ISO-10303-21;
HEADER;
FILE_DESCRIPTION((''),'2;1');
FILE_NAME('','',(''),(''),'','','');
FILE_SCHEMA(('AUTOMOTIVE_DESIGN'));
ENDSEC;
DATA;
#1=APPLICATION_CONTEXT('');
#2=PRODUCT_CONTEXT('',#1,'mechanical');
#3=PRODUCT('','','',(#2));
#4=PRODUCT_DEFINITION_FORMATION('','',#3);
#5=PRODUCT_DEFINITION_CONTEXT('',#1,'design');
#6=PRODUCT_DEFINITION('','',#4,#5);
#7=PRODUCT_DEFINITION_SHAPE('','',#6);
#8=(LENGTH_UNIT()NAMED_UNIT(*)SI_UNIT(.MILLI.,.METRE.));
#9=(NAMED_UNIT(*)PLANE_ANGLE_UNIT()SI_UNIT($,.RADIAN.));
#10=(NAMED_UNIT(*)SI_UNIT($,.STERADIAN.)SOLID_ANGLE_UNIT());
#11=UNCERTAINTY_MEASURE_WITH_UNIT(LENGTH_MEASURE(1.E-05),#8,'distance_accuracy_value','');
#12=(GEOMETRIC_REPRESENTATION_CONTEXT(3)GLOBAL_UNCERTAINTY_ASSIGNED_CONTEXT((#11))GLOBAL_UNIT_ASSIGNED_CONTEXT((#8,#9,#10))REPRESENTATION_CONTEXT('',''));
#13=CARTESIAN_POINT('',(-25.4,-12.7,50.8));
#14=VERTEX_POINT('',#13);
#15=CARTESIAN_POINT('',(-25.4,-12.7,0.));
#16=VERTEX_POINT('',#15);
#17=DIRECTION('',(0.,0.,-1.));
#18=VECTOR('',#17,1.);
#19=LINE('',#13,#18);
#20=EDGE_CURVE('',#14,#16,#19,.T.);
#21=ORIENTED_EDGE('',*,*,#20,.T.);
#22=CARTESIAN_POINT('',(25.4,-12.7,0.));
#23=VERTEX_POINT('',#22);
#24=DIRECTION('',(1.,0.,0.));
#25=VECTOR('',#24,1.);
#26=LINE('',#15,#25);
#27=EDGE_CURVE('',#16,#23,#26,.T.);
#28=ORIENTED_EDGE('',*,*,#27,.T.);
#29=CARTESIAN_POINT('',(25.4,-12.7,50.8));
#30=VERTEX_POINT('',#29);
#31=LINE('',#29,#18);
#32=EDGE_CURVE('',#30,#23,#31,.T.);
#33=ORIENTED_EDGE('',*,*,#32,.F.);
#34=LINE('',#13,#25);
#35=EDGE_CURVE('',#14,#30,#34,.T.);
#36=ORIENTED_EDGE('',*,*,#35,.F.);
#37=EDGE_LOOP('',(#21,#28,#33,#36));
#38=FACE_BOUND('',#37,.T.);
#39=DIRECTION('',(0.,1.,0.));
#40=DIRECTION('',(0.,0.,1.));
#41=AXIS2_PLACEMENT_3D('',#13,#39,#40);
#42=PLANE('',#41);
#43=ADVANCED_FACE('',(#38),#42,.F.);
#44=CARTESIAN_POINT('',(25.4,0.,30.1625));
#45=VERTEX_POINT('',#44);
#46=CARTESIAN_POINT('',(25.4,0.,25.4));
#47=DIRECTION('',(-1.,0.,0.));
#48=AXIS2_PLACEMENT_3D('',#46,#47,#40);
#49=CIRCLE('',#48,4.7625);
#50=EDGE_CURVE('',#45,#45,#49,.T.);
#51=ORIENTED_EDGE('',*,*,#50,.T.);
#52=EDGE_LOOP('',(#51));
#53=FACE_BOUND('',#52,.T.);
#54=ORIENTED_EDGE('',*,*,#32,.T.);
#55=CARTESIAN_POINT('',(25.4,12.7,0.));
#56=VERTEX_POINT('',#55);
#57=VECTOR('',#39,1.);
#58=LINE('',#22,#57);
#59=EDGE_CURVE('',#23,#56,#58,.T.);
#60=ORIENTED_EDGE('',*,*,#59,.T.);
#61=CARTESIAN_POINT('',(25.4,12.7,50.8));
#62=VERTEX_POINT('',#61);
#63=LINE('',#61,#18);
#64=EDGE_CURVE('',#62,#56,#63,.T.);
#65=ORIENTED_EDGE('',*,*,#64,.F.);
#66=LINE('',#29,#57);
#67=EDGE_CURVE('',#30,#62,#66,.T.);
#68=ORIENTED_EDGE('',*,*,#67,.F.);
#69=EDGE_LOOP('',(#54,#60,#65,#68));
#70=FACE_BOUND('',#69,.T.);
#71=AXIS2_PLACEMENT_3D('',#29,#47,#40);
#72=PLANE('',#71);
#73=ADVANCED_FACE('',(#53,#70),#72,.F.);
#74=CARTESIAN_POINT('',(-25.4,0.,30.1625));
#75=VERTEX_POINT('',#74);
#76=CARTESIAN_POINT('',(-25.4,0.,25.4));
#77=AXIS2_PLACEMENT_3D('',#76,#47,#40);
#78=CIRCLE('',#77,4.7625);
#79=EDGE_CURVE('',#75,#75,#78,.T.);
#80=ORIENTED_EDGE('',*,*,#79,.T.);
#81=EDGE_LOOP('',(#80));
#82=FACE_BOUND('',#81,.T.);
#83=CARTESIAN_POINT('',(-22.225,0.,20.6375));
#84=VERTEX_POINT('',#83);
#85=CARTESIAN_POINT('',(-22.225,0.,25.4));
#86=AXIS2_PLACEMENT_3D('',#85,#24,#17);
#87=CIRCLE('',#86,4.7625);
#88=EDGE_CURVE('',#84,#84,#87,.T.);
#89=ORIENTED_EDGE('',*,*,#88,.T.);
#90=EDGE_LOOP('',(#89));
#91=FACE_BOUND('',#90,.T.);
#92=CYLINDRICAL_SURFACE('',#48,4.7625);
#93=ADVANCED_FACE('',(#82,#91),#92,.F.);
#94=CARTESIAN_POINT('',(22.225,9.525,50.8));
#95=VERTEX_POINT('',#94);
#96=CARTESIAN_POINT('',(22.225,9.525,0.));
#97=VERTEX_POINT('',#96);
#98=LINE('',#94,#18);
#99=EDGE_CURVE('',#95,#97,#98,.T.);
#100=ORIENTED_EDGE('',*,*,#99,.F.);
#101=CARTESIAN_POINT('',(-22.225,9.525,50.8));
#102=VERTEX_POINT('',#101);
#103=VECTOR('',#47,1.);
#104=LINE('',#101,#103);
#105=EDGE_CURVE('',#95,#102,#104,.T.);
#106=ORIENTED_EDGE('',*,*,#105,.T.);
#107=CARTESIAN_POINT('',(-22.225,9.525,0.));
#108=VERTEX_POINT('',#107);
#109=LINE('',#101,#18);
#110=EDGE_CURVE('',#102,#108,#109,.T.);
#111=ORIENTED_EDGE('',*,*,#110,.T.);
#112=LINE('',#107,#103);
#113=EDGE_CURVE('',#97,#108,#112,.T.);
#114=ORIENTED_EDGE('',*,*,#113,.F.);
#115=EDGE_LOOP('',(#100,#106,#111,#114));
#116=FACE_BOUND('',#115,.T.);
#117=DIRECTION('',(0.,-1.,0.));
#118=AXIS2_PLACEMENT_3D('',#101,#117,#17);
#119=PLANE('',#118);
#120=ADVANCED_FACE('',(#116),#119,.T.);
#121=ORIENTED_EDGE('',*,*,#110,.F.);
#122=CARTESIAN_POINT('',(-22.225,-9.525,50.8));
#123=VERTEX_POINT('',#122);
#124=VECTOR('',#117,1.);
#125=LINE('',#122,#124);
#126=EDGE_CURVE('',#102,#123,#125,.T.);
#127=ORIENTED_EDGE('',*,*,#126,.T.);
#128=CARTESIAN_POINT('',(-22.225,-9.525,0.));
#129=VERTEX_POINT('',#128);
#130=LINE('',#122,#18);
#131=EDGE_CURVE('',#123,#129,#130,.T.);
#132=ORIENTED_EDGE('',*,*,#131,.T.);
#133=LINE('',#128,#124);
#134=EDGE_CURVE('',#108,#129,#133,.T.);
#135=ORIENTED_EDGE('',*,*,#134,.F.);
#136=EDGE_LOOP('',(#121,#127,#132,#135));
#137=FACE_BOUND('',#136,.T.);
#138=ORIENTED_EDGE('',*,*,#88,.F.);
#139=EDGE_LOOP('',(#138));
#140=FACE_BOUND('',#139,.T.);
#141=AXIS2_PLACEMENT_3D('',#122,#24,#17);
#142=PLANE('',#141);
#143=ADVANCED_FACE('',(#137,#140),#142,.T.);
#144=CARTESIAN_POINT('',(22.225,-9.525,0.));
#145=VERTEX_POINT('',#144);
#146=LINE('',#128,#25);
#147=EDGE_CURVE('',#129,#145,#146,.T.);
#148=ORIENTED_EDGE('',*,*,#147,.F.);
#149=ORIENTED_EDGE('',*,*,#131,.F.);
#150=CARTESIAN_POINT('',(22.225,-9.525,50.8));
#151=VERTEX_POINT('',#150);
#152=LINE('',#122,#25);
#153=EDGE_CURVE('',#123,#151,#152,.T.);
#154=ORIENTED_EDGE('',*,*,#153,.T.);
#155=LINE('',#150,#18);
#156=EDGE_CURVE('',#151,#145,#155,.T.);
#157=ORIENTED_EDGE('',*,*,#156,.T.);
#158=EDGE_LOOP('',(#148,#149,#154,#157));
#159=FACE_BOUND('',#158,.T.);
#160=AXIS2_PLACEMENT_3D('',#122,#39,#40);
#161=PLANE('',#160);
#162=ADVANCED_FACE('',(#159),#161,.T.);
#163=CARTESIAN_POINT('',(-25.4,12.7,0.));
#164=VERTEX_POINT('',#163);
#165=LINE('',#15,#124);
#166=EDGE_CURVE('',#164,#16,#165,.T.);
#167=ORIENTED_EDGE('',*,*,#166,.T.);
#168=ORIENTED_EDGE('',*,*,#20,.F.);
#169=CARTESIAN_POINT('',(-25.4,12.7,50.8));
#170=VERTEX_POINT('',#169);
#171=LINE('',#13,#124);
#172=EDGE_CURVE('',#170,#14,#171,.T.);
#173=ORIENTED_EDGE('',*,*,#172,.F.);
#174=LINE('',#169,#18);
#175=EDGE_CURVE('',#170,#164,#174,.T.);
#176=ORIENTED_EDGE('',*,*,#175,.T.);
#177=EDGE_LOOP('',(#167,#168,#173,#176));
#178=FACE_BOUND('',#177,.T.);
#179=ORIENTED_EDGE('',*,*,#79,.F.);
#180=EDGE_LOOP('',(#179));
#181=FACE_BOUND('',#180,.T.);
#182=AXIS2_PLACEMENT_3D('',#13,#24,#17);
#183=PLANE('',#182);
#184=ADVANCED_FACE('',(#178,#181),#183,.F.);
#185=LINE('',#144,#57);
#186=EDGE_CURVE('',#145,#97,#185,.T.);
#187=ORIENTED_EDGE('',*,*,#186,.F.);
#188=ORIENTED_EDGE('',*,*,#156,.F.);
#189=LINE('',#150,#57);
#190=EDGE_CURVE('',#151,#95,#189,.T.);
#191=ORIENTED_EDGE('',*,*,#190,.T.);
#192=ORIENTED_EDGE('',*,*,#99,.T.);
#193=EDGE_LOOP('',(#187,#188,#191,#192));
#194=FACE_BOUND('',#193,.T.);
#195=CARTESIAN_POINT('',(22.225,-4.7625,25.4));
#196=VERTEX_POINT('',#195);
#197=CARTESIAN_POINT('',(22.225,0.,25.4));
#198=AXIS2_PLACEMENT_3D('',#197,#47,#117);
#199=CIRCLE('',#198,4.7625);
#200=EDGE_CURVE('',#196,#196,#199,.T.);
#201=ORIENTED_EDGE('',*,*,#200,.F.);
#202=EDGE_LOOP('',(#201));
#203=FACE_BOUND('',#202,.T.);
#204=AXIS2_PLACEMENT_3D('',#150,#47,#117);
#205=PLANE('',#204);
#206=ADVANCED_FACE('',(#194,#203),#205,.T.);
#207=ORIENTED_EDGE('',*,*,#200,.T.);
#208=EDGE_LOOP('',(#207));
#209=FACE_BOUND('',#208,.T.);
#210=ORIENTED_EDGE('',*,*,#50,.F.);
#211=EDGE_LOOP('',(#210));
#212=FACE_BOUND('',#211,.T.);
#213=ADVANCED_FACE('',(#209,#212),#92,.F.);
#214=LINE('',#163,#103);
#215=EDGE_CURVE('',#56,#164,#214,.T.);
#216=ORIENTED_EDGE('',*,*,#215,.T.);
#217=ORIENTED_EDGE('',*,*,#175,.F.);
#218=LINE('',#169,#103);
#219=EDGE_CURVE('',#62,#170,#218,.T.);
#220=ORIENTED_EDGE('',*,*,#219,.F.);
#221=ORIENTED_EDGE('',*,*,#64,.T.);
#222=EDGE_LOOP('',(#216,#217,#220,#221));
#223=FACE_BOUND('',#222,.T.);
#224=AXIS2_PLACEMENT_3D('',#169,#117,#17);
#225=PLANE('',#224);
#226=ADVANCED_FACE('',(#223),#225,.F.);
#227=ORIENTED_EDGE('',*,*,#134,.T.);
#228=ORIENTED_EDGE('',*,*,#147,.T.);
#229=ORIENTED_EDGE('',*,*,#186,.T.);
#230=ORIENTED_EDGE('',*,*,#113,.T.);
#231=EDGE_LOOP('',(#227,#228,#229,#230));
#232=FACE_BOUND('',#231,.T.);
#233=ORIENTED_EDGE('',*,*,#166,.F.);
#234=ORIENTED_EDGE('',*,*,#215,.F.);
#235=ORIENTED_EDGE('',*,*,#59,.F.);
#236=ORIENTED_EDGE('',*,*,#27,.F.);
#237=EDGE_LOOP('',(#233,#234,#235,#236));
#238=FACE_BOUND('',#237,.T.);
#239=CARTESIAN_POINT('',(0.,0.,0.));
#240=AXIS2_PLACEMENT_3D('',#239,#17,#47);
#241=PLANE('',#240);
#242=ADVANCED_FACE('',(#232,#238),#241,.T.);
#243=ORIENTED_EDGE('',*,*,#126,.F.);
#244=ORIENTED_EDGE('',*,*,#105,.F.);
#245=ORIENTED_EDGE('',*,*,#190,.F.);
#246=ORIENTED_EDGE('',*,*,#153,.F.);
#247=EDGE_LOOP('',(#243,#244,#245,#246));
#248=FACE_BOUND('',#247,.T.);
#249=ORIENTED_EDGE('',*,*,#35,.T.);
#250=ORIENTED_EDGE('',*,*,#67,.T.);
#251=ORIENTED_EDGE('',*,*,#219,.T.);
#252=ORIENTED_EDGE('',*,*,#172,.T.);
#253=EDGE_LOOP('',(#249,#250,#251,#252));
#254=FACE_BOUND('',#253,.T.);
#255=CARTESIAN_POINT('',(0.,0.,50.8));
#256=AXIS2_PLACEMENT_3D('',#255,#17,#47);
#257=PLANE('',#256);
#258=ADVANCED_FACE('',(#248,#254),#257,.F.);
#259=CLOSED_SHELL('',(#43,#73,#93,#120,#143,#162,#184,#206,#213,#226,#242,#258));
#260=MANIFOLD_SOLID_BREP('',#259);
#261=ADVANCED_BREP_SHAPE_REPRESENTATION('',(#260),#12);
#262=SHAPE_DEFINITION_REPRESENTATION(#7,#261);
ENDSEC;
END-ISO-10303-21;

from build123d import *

# Parameters (mm, degrees)
SKETCH1_W           = 50.8
SKETCH1_H           = 25.4
SKETCH1_W_2         = 44.45
SKETCH1_H_2         = 19.05
BOSS_EXTRUDE1_DEPTH = 50.8
SKETCH2_R           = 4.7625
CUT_EXTRUDE1_DEPTH  = 73.955945611


with BuildPart() as part:
    # Sketch1 → Boss-Extrude1 (new body)
    with BuildSketch(Plane.XY):
        Rectangle(SKETCH1_W, SKETCH1_H)
        Rectangle(SKETCH1_W_2, SKETCH1_H_2, mode=Mode.SUBTRACT)
    extrude(amount=BOSS_EXTRUDE1_DEPTH)

    # Sketch2 → Cut-Extrude1 (cut, through all)
    with BuildSketch(Plane.ZY.offset(25.4)):
        with Locations((25.4, 0)):
            Circle(SKETCH2_R)
    extrude(amount=-CUT_EXTRUDE1_DEPTH, mode=Mode.SUBTRACT)


solid = part.part
